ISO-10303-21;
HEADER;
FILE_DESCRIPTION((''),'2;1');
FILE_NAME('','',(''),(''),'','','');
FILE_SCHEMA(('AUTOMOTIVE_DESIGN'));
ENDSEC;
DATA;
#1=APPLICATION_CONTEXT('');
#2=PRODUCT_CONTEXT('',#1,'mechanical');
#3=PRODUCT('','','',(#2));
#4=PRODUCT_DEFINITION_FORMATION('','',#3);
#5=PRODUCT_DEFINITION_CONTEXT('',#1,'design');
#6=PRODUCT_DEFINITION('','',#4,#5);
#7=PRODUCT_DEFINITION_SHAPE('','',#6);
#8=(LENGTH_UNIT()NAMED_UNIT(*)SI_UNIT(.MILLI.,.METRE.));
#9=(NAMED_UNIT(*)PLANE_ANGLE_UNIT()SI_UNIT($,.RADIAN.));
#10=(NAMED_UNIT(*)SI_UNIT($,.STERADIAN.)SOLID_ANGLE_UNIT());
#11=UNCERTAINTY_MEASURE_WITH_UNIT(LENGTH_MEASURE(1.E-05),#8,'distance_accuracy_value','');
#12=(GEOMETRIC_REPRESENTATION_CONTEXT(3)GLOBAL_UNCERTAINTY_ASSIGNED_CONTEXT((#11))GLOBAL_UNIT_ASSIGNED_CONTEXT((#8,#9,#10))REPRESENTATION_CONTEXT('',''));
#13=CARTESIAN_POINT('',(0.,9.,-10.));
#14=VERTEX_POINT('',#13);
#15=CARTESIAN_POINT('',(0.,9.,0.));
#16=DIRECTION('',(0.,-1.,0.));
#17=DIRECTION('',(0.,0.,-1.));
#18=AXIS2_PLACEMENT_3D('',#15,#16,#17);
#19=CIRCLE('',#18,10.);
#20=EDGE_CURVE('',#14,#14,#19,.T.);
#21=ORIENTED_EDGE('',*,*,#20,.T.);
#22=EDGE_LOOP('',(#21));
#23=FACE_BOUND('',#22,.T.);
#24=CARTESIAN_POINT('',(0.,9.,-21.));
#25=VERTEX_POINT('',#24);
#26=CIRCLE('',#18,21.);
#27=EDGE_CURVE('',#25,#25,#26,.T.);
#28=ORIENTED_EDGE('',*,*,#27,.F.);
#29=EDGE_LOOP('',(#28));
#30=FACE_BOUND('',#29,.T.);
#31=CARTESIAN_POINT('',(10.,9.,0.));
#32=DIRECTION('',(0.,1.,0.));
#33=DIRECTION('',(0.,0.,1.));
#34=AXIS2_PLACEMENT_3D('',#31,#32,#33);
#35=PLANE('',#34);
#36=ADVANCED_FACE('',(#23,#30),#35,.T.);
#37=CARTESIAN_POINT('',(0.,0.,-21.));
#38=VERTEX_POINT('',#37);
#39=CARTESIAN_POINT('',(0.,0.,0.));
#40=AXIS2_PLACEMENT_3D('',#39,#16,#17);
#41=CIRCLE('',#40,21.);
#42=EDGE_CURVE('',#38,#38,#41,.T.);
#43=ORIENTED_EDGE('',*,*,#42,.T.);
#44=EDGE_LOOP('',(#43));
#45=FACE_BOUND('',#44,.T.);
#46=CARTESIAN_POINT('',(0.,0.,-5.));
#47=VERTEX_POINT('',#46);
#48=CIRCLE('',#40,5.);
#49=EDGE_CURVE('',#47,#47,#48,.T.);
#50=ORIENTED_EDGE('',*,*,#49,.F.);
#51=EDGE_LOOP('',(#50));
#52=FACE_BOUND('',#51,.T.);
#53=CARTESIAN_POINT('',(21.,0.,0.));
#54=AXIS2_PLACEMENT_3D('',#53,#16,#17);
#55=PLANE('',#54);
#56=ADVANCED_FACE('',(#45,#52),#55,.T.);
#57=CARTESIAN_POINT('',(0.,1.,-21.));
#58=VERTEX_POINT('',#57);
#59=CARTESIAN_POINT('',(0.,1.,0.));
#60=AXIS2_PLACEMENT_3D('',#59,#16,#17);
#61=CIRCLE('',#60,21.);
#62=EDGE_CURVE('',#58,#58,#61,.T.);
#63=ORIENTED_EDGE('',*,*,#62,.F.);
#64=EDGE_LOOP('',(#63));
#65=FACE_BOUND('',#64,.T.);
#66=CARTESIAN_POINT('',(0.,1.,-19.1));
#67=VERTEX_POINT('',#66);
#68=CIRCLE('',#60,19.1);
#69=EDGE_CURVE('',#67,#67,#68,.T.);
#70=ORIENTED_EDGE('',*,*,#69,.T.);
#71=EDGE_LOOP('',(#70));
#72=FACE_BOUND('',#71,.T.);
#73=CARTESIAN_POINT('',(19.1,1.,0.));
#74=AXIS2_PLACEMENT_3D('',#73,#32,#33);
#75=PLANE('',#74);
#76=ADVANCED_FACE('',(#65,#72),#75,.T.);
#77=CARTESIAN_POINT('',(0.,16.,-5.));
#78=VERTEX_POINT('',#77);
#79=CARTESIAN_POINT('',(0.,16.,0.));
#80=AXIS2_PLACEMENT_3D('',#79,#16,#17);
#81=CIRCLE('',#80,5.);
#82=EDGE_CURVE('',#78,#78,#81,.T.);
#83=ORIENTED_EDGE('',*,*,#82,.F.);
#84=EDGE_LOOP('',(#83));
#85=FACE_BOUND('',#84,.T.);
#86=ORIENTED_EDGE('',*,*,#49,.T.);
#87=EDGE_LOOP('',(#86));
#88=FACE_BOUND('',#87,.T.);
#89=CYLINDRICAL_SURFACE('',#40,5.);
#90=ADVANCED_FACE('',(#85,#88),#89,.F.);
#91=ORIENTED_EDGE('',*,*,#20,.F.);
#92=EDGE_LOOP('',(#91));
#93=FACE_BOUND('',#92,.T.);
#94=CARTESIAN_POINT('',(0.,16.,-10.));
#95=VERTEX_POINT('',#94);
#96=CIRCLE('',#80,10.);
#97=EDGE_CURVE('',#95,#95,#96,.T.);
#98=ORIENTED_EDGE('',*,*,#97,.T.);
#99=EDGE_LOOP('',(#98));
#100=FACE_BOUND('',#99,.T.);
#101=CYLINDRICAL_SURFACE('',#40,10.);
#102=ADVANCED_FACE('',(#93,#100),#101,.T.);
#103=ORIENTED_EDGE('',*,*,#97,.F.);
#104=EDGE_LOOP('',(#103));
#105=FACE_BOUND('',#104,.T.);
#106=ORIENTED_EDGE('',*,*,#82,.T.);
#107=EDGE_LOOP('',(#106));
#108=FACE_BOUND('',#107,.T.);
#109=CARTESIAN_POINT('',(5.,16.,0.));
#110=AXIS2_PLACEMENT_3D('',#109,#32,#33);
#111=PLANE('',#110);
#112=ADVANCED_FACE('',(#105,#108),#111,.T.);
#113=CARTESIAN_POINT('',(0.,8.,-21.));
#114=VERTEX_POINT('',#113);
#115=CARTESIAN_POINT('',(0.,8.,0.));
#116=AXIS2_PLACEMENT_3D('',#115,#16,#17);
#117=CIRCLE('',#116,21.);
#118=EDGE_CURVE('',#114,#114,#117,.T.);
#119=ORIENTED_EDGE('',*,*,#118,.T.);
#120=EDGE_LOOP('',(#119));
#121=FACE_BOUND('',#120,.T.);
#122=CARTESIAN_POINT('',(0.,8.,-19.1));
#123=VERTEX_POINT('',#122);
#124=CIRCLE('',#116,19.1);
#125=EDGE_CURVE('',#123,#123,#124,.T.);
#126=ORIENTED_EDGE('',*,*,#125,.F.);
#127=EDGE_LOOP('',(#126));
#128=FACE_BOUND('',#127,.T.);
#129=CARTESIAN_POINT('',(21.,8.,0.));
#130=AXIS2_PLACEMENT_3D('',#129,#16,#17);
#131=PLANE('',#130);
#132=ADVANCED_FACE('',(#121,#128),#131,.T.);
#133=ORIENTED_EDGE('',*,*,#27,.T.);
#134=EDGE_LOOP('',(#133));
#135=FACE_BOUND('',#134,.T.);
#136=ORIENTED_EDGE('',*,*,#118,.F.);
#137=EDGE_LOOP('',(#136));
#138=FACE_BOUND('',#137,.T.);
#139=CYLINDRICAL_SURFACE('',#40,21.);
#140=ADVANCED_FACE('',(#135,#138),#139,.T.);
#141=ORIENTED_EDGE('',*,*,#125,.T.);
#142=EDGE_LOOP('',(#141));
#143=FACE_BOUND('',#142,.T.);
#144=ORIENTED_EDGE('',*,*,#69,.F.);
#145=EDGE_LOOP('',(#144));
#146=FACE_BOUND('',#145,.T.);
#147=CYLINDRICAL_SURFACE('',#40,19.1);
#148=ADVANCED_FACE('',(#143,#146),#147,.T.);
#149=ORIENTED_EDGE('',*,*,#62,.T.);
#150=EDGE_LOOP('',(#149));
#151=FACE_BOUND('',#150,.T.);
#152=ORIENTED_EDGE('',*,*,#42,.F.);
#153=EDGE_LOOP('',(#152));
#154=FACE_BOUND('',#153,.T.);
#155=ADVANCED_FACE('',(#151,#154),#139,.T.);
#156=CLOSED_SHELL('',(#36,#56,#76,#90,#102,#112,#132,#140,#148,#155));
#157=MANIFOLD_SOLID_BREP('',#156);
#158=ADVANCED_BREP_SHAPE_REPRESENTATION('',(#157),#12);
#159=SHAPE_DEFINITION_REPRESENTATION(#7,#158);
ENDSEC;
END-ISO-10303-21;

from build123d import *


with BuildPart() as part:
    # Sketch1 → Revolve1 (revolve)
    with BuildSketch(Plane.XY, mode=Mode.PRIVATE) as revolve1_sk:
        Polygon((5, 16), (10, 16), (10, 9), (21, 9), (21, 8), (19.1, 8), (19.1, 1), (21, 1), (21, 0), (5, 0), align=None)
    revolve(revolve1_sk.sketch.rotate(Axis((0, 0, 0), (0, 1, 0)), 90), axis=Axis((0, 0, 0), (0, 1, 0)))


solid = part.part
